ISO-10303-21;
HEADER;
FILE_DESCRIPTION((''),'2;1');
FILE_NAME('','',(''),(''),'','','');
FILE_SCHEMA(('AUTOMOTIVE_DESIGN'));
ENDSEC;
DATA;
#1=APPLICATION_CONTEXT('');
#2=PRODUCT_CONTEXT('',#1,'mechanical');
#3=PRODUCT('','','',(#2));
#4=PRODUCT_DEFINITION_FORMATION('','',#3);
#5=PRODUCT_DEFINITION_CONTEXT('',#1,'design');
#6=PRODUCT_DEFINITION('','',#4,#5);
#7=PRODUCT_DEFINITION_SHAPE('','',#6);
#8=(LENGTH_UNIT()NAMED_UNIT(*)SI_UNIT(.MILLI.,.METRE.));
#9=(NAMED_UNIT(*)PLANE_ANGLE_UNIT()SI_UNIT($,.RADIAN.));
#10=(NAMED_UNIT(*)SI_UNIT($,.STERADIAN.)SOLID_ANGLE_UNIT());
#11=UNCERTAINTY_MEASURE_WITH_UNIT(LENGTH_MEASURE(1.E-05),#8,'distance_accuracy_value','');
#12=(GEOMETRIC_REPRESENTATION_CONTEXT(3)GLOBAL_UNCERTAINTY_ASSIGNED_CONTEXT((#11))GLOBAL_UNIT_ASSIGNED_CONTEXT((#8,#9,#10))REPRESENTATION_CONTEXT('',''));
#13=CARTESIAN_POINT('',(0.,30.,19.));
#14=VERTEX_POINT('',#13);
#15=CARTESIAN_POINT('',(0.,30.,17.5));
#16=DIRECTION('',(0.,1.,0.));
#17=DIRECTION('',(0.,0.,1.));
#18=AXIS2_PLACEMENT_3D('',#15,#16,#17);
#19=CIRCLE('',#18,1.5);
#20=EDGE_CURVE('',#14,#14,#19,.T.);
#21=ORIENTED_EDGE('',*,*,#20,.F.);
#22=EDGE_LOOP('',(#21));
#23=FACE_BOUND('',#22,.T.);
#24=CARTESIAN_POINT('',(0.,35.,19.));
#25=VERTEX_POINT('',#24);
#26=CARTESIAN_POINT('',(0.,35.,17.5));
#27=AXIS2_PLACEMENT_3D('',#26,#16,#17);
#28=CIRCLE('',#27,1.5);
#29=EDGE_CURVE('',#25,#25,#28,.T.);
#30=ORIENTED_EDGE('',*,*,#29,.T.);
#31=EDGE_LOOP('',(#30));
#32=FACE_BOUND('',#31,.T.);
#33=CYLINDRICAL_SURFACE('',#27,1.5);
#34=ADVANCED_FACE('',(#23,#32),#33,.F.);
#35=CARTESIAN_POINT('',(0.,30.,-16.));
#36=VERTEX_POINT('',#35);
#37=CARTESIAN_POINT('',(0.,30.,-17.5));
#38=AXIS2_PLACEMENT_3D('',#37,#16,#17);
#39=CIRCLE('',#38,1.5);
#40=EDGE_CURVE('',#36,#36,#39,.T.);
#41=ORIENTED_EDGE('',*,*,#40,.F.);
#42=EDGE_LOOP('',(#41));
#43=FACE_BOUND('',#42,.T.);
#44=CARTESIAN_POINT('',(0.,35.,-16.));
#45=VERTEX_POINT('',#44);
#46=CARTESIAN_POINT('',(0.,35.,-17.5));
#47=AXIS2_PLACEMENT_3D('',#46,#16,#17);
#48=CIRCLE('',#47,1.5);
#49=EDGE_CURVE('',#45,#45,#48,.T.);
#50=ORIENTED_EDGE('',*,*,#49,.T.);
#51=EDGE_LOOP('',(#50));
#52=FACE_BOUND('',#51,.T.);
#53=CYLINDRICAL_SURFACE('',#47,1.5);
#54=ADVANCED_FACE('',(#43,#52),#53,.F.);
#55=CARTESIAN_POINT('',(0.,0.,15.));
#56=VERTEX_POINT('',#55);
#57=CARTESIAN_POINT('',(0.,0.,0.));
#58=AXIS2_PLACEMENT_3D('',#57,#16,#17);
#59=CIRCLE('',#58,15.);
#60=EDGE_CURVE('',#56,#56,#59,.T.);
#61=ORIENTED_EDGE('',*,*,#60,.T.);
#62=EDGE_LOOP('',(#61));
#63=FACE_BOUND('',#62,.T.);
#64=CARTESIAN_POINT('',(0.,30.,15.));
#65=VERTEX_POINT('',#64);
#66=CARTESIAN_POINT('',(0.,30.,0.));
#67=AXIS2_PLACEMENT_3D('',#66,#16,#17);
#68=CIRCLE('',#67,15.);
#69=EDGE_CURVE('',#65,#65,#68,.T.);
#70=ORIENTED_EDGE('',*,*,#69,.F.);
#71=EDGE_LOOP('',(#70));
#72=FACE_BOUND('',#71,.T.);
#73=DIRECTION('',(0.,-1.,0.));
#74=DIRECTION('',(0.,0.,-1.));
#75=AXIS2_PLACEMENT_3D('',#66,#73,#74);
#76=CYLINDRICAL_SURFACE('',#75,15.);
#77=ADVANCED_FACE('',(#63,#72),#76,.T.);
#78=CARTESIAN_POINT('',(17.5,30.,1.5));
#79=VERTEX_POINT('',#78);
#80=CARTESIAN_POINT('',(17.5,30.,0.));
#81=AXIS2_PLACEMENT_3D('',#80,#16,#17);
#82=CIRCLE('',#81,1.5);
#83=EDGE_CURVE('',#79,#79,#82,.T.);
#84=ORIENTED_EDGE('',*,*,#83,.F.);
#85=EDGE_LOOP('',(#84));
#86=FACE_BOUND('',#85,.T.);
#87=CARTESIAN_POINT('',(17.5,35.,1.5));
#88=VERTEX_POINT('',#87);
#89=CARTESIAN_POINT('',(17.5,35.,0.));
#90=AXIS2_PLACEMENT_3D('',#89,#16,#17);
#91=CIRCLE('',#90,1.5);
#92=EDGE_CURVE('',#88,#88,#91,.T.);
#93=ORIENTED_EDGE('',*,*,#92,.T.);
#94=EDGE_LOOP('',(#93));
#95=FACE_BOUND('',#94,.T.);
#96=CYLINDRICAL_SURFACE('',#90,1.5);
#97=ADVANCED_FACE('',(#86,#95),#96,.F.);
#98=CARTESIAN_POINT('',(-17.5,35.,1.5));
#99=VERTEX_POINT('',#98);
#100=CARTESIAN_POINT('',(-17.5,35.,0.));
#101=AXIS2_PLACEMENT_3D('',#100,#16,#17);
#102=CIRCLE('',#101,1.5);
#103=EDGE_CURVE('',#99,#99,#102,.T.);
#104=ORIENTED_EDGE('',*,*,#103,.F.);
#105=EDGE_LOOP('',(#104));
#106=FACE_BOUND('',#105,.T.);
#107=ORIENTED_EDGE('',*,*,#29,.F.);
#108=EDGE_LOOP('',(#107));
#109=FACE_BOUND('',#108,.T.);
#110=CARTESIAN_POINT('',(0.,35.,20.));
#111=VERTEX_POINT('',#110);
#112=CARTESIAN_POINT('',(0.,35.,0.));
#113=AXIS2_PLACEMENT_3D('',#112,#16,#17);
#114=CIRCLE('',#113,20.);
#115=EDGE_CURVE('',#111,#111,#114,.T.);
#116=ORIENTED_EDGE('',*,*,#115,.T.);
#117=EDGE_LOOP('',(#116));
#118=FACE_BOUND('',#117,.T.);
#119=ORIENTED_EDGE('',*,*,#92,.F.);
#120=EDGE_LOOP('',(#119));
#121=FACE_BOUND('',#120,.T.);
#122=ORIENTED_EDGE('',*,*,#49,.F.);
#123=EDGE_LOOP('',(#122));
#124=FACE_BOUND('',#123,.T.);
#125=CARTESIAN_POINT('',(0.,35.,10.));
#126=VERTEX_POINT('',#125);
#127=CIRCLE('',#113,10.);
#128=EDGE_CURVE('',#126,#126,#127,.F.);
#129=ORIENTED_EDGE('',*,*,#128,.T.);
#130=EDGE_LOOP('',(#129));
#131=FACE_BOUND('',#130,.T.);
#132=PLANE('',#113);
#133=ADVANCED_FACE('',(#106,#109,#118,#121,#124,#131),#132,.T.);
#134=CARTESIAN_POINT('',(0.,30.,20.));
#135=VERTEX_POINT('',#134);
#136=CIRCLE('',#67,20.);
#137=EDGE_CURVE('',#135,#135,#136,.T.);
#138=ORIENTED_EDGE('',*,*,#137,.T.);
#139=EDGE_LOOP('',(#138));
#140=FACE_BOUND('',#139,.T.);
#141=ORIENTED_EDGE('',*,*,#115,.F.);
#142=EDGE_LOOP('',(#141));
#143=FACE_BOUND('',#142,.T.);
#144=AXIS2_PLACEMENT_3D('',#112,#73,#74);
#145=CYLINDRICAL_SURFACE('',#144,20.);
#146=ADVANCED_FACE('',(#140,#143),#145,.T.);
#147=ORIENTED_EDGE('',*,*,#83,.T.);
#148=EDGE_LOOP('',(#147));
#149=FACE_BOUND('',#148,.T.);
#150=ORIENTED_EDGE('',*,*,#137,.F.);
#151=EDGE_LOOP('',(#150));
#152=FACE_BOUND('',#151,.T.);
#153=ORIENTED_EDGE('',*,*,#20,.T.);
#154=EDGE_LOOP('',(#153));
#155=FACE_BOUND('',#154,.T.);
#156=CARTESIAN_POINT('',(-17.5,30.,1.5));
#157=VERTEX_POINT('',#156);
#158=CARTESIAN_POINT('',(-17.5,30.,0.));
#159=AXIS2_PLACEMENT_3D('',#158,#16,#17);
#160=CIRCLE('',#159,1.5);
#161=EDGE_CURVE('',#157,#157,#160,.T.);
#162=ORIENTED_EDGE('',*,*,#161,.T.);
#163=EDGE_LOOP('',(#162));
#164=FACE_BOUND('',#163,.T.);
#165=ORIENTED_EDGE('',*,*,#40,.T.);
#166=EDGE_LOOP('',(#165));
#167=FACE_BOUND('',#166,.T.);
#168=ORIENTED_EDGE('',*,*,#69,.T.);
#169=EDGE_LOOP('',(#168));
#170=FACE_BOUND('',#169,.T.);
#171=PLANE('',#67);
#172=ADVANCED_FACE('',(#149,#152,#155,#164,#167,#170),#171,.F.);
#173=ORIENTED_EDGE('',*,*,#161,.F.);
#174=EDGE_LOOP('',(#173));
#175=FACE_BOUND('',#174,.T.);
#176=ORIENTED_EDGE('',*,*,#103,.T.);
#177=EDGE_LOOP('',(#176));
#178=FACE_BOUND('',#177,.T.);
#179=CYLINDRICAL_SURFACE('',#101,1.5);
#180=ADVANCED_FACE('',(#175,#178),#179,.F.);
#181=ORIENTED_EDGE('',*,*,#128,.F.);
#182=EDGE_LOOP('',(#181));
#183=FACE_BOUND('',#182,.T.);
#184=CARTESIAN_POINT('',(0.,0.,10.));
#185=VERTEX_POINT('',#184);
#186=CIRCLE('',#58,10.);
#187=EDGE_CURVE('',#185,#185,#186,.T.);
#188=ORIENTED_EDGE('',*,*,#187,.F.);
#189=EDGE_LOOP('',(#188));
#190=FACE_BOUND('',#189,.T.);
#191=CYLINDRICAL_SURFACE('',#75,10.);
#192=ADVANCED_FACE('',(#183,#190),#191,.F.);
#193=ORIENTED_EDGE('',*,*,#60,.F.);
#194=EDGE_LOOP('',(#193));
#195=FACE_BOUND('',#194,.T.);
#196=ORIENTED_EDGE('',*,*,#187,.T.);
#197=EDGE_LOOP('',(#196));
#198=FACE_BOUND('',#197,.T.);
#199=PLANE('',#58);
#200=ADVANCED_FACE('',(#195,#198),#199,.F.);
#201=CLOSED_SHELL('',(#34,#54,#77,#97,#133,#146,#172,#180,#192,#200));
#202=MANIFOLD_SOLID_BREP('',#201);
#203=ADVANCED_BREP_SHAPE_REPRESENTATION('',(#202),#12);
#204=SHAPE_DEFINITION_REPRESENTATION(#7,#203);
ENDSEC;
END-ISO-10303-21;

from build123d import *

# Parameters (mm, degrees)
SKETCH_1_R      = 15
SKETCH_1_R_2    = 10
EXTRUDE_1_DEPTH = 30
SKETCH_2_R      = 20
SKETCH_2_R_2    = 15
SKETCH_2_R_3    = 10
EXTRUDE_2_DEPTH = 5
F_3_0MM_1_D     = 3
F_3_0MM_1_DEPTH = 7.5
F_3_0MM_1_TIP   = 0.901290929


with BuildPart() as part:
    # 草图1 → 凸台-拉伸1 (new body)
    with BuildSketch(Plane(origin=(0, 0, 0), x_dir=(1, 0, 0), z_dir=(0, 1, 0))):
        with Locations(Location((0, 0, 0), (0, 0, 270))):
            Circle(SKETCH_1_R)
        with Locations(Location((0, 0, 0), (0, 0, 270))):
            Circle(SKETCH_1_R_2, mode=Mode.SUBTRACT)
    extrude(amount=EXTRUDE_1_DEPTH)

    # 草图2 → 凸台-拉伸2 (add)
    # profile 1 of 2: a face of its own
    with BuildSketch(Plane(origin=(0, 30, 0), x_dir=(1, 0, 0), z_dir=(0, 1, 0))):
        with Locations(Location((0, 0, 0), (0, 0, 270))):
            Circle(SKETCH_2_R)
        with Locations(Location((0, 0, 0), (0, 0, 270))):
            Circle(SKETCH_2_R_2, mode=Mode.SUBTRACT)
    # profile 2 of 2: a face of its own
    with BuildSketch(Plane(origin=(0, 30, 0), x_dir=(1, 0, 0), z_dir=(0, 1, 0))):
        with Locations(Location((0, 0, 0), (0, 0, 270))):
            Circle(SKETCH_2_R_2)
        with Locations(Location((0, 0, 0), (0, 0, 270))):
            Circle(SKETCH_2_R_3, mode=Mode.SUBTRACT)
    extrude(amount=EXTRUDE_2_DEPTH)

    # Ø3.0mm 暗销孔1
    with Locations(Plane(origin=(0, 35, 0), x_dir=(1, 0, 0), z_dir=(0, 1, 0))):
        with Locations((0, 17.5), (17.5, 0), (0, -17.5), (-17.5, 0)):
            Hole(F_3_0MM_1_D / 2, depth=F_3_0MM_1_DEPTH)
            with Locations((0, 0, -(F_3_0MM_1_DEPTH + F_3_0MM_1_TIP / 2))):  # 118° drill point
                Cone(0, F_3_0MM_1_D / 2, F_3_0MM_1_TIP, mode=Mode.SUBTRACT)


solid = part.part
